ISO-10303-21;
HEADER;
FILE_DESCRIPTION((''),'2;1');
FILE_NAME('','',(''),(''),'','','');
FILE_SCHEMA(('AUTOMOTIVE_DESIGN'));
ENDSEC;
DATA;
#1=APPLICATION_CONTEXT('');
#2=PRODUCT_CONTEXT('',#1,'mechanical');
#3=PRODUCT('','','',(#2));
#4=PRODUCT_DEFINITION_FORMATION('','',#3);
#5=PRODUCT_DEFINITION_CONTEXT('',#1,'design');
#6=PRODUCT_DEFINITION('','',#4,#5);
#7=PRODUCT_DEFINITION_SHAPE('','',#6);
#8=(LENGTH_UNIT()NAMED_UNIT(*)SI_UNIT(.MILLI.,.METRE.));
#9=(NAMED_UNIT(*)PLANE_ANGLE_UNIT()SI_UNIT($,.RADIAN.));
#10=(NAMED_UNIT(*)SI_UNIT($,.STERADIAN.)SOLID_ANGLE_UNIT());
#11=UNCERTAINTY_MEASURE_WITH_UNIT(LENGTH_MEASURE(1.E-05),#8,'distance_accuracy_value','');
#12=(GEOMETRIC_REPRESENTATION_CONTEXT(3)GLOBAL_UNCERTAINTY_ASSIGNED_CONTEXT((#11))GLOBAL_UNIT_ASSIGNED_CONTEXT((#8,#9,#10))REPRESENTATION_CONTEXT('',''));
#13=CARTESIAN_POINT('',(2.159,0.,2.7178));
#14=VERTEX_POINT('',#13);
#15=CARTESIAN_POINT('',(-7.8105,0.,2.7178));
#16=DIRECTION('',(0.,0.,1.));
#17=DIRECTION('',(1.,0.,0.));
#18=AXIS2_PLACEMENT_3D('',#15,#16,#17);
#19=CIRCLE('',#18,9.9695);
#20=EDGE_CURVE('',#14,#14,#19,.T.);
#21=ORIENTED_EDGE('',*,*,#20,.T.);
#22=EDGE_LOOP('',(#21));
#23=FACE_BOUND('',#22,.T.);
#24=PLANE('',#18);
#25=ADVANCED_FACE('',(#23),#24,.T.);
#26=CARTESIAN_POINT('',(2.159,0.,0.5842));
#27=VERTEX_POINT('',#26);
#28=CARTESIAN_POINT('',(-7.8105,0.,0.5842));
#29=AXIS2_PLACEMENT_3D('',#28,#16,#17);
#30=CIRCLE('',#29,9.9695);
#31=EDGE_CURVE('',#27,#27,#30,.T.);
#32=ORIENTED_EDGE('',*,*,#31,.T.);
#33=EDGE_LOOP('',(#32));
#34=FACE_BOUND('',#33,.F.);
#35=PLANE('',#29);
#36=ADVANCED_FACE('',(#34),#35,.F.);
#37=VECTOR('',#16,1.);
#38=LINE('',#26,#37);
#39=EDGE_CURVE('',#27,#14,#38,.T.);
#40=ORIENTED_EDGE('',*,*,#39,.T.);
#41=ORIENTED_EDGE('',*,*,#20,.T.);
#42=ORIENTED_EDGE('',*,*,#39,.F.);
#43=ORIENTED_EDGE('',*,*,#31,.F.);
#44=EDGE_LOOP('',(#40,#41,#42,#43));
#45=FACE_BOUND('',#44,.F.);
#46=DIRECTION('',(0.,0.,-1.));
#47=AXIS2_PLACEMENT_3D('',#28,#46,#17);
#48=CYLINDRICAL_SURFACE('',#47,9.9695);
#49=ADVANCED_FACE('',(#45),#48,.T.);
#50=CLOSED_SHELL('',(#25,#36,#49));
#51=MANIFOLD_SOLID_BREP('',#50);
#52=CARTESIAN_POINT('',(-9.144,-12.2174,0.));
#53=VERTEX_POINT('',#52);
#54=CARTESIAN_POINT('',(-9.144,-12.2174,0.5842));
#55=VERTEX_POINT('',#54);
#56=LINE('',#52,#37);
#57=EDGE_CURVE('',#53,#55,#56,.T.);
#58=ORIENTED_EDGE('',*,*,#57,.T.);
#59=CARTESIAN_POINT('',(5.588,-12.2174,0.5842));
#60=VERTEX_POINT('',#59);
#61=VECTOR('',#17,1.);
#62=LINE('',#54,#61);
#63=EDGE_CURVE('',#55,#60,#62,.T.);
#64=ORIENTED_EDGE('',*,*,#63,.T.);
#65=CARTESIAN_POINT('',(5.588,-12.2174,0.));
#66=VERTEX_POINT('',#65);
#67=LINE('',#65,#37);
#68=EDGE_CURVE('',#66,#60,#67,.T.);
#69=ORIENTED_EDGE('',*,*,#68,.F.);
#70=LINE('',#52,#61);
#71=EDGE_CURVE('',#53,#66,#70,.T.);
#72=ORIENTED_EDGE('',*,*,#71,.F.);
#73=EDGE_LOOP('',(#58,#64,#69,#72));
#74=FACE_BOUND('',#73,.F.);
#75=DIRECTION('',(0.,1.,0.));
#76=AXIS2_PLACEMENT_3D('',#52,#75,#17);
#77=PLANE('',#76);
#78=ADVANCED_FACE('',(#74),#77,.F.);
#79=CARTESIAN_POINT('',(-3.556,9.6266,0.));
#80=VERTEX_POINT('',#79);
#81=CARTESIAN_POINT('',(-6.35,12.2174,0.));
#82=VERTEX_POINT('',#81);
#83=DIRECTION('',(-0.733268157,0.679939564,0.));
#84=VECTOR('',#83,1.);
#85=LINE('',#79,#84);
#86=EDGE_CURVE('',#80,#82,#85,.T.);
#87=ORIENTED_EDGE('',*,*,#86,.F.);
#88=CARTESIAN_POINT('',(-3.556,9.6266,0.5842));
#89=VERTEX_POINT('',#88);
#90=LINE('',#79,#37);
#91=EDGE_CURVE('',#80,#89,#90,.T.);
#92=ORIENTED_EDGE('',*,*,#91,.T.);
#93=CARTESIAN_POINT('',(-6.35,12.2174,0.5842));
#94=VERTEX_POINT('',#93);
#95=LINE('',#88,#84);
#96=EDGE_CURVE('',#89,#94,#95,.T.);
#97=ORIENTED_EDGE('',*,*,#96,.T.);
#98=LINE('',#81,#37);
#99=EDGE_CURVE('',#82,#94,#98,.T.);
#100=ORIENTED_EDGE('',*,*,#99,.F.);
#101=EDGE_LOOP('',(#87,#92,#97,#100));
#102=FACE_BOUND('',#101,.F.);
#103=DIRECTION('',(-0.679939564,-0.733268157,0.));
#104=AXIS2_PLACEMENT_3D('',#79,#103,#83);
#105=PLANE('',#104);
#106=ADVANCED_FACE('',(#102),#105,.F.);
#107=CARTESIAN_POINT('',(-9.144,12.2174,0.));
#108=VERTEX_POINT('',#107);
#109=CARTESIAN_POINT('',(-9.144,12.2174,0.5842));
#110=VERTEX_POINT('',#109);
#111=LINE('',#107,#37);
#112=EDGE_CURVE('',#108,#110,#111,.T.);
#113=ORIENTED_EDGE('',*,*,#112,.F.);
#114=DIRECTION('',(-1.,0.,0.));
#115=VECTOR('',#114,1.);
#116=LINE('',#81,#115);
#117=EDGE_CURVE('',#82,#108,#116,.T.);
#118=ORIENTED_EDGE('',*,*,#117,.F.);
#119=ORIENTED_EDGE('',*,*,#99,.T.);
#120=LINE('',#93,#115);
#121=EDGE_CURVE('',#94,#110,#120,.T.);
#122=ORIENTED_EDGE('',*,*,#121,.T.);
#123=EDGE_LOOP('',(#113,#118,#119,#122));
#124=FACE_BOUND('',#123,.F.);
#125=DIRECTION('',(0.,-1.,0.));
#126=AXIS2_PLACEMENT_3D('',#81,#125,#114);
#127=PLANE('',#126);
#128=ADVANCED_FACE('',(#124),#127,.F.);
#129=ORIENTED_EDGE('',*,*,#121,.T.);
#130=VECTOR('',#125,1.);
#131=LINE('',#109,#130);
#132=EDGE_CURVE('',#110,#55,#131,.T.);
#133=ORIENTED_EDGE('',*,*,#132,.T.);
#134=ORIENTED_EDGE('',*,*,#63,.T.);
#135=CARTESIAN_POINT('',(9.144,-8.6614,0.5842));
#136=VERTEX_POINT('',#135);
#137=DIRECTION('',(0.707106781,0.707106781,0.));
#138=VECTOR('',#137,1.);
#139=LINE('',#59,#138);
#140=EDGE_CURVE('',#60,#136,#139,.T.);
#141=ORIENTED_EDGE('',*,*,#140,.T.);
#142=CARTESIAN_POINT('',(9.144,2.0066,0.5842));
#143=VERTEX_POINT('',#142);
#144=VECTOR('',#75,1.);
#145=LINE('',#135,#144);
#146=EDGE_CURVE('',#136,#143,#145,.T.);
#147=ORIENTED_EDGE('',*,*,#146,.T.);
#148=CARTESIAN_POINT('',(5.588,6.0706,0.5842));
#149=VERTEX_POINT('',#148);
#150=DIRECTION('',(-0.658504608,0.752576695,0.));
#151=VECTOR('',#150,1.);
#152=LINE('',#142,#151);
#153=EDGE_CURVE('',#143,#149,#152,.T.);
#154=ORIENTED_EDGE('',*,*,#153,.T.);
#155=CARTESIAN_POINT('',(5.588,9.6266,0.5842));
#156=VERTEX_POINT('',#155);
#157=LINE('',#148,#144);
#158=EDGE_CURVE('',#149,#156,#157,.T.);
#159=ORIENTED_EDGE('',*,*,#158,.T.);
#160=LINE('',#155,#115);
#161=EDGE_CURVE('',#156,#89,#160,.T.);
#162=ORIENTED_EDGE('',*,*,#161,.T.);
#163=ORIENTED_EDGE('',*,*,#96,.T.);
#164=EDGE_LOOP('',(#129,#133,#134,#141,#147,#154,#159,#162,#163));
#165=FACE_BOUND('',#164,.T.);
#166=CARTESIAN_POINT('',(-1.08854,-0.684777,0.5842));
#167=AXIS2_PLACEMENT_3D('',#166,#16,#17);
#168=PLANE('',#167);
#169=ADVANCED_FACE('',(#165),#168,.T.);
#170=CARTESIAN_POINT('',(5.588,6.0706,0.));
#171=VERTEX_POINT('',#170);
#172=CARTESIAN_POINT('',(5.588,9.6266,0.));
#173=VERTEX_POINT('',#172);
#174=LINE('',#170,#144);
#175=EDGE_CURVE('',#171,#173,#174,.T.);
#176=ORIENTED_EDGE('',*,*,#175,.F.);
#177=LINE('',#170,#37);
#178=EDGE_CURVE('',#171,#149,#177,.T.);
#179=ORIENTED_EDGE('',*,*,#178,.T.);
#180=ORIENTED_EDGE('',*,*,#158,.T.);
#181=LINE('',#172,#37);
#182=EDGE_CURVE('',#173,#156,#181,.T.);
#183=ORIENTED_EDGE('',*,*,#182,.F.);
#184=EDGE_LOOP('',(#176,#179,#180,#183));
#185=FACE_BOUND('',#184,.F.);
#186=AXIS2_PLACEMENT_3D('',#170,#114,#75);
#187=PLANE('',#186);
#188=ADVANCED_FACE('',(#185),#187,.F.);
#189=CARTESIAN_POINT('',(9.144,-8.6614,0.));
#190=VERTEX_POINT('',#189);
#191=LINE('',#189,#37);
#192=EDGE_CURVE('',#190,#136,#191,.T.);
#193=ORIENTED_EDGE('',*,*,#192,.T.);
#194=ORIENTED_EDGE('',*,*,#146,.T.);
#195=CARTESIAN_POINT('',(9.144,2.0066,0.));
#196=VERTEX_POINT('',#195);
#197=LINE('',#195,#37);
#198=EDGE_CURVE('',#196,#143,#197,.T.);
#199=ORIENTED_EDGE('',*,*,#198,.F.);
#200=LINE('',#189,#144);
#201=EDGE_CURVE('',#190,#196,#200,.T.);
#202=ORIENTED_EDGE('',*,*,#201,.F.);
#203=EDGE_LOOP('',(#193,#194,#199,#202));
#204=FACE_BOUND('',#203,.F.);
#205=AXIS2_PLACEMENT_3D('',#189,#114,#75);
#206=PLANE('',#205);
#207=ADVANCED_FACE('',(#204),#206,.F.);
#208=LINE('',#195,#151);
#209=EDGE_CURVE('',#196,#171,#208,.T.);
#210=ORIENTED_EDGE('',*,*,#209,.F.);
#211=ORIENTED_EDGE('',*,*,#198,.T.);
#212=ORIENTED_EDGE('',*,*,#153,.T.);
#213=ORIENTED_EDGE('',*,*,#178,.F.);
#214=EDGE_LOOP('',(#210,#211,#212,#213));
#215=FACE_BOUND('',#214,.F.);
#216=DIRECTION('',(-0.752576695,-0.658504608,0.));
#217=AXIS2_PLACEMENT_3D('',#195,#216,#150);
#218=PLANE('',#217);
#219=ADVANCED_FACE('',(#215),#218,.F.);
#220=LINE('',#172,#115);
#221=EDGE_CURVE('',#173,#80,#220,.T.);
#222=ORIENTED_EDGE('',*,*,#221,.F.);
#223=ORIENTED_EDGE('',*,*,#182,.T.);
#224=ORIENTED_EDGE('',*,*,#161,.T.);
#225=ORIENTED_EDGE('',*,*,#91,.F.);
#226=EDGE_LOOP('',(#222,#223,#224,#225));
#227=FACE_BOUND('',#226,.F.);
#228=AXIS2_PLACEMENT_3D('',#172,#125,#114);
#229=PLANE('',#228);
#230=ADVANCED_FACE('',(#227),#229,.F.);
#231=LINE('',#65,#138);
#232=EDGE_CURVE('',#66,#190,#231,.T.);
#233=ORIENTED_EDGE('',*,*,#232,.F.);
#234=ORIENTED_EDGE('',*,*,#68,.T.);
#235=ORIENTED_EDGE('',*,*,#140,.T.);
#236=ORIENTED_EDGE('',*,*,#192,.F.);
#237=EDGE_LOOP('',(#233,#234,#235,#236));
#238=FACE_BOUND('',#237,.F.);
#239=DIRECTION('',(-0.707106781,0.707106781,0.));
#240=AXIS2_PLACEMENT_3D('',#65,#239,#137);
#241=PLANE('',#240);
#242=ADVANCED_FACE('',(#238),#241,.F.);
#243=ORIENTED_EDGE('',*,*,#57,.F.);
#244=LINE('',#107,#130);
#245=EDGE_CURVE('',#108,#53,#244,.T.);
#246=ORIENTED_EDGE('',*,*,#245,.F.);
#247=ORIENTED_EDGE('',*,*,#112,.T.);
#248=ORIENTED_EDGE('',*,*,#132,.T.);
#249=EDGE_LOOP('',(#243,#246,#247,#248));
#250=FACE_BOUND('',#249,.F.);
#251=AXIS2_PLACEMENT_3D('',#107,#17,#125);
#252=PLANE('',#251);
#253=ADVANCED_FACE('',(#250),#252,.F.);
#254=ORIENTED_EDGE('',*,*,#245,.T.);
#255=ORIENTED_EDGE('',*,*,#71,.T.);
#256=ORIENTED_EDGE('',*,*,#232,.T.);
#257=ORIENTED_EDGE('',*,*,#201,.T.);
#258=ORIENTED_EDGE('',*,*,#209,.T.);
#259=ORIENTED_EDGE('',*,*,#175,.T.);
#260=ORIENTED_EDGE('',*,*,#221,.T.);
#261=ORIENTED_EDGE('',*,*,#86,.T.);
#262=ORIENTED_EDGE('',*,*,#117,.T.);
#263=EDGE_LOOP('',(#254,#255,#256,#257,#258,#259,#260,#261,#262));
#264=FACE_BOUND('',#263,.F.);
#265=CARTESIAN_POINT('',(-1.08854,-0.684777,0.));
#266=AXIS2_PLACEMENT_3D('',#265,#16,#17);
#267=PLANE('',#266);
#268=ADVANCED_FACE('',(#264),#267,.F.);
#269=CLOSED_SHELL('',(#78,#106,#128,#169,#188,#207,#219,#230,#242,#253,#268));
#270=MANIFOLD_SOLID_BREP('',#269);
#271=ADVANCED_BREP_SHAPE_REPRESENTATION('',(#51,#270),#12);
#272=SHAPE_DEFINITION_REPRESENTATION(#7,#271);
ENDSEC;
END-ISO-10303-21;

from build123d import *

# Parameters (mm, degrees)
F1_DEPTH = 0.5842
F2_R     = 9.9695
F3_DEPTH = 2.1336


with BuildPart() as f1:
    # F0 (on Top) → F1 (new body)
    with BuildSketch(Plane.XY):
        Polygon((-9.144, 12.2174), (-9.144, -12.2174), (5.588, -12.2174), (9.144, -8.6614), (9.144, 2.0066), (5.588, 6.0706), (5.588, 9.6266), (-3.556, 9.6266), (-6.35, 12.2174), align=None)
    extrude(amount=F1_DEPTH)


with BuildPart() as f3:
    # F2 (on face) → F3 (new body)
    with BuildSketch(Plane.XY.offset(0.5842)):
        with Locations((-7.8105, 0)):
            Circle(F2_R)
    extrude(amount=F3_DEPTH)


solid = Compound([f1.part, f3.part])
